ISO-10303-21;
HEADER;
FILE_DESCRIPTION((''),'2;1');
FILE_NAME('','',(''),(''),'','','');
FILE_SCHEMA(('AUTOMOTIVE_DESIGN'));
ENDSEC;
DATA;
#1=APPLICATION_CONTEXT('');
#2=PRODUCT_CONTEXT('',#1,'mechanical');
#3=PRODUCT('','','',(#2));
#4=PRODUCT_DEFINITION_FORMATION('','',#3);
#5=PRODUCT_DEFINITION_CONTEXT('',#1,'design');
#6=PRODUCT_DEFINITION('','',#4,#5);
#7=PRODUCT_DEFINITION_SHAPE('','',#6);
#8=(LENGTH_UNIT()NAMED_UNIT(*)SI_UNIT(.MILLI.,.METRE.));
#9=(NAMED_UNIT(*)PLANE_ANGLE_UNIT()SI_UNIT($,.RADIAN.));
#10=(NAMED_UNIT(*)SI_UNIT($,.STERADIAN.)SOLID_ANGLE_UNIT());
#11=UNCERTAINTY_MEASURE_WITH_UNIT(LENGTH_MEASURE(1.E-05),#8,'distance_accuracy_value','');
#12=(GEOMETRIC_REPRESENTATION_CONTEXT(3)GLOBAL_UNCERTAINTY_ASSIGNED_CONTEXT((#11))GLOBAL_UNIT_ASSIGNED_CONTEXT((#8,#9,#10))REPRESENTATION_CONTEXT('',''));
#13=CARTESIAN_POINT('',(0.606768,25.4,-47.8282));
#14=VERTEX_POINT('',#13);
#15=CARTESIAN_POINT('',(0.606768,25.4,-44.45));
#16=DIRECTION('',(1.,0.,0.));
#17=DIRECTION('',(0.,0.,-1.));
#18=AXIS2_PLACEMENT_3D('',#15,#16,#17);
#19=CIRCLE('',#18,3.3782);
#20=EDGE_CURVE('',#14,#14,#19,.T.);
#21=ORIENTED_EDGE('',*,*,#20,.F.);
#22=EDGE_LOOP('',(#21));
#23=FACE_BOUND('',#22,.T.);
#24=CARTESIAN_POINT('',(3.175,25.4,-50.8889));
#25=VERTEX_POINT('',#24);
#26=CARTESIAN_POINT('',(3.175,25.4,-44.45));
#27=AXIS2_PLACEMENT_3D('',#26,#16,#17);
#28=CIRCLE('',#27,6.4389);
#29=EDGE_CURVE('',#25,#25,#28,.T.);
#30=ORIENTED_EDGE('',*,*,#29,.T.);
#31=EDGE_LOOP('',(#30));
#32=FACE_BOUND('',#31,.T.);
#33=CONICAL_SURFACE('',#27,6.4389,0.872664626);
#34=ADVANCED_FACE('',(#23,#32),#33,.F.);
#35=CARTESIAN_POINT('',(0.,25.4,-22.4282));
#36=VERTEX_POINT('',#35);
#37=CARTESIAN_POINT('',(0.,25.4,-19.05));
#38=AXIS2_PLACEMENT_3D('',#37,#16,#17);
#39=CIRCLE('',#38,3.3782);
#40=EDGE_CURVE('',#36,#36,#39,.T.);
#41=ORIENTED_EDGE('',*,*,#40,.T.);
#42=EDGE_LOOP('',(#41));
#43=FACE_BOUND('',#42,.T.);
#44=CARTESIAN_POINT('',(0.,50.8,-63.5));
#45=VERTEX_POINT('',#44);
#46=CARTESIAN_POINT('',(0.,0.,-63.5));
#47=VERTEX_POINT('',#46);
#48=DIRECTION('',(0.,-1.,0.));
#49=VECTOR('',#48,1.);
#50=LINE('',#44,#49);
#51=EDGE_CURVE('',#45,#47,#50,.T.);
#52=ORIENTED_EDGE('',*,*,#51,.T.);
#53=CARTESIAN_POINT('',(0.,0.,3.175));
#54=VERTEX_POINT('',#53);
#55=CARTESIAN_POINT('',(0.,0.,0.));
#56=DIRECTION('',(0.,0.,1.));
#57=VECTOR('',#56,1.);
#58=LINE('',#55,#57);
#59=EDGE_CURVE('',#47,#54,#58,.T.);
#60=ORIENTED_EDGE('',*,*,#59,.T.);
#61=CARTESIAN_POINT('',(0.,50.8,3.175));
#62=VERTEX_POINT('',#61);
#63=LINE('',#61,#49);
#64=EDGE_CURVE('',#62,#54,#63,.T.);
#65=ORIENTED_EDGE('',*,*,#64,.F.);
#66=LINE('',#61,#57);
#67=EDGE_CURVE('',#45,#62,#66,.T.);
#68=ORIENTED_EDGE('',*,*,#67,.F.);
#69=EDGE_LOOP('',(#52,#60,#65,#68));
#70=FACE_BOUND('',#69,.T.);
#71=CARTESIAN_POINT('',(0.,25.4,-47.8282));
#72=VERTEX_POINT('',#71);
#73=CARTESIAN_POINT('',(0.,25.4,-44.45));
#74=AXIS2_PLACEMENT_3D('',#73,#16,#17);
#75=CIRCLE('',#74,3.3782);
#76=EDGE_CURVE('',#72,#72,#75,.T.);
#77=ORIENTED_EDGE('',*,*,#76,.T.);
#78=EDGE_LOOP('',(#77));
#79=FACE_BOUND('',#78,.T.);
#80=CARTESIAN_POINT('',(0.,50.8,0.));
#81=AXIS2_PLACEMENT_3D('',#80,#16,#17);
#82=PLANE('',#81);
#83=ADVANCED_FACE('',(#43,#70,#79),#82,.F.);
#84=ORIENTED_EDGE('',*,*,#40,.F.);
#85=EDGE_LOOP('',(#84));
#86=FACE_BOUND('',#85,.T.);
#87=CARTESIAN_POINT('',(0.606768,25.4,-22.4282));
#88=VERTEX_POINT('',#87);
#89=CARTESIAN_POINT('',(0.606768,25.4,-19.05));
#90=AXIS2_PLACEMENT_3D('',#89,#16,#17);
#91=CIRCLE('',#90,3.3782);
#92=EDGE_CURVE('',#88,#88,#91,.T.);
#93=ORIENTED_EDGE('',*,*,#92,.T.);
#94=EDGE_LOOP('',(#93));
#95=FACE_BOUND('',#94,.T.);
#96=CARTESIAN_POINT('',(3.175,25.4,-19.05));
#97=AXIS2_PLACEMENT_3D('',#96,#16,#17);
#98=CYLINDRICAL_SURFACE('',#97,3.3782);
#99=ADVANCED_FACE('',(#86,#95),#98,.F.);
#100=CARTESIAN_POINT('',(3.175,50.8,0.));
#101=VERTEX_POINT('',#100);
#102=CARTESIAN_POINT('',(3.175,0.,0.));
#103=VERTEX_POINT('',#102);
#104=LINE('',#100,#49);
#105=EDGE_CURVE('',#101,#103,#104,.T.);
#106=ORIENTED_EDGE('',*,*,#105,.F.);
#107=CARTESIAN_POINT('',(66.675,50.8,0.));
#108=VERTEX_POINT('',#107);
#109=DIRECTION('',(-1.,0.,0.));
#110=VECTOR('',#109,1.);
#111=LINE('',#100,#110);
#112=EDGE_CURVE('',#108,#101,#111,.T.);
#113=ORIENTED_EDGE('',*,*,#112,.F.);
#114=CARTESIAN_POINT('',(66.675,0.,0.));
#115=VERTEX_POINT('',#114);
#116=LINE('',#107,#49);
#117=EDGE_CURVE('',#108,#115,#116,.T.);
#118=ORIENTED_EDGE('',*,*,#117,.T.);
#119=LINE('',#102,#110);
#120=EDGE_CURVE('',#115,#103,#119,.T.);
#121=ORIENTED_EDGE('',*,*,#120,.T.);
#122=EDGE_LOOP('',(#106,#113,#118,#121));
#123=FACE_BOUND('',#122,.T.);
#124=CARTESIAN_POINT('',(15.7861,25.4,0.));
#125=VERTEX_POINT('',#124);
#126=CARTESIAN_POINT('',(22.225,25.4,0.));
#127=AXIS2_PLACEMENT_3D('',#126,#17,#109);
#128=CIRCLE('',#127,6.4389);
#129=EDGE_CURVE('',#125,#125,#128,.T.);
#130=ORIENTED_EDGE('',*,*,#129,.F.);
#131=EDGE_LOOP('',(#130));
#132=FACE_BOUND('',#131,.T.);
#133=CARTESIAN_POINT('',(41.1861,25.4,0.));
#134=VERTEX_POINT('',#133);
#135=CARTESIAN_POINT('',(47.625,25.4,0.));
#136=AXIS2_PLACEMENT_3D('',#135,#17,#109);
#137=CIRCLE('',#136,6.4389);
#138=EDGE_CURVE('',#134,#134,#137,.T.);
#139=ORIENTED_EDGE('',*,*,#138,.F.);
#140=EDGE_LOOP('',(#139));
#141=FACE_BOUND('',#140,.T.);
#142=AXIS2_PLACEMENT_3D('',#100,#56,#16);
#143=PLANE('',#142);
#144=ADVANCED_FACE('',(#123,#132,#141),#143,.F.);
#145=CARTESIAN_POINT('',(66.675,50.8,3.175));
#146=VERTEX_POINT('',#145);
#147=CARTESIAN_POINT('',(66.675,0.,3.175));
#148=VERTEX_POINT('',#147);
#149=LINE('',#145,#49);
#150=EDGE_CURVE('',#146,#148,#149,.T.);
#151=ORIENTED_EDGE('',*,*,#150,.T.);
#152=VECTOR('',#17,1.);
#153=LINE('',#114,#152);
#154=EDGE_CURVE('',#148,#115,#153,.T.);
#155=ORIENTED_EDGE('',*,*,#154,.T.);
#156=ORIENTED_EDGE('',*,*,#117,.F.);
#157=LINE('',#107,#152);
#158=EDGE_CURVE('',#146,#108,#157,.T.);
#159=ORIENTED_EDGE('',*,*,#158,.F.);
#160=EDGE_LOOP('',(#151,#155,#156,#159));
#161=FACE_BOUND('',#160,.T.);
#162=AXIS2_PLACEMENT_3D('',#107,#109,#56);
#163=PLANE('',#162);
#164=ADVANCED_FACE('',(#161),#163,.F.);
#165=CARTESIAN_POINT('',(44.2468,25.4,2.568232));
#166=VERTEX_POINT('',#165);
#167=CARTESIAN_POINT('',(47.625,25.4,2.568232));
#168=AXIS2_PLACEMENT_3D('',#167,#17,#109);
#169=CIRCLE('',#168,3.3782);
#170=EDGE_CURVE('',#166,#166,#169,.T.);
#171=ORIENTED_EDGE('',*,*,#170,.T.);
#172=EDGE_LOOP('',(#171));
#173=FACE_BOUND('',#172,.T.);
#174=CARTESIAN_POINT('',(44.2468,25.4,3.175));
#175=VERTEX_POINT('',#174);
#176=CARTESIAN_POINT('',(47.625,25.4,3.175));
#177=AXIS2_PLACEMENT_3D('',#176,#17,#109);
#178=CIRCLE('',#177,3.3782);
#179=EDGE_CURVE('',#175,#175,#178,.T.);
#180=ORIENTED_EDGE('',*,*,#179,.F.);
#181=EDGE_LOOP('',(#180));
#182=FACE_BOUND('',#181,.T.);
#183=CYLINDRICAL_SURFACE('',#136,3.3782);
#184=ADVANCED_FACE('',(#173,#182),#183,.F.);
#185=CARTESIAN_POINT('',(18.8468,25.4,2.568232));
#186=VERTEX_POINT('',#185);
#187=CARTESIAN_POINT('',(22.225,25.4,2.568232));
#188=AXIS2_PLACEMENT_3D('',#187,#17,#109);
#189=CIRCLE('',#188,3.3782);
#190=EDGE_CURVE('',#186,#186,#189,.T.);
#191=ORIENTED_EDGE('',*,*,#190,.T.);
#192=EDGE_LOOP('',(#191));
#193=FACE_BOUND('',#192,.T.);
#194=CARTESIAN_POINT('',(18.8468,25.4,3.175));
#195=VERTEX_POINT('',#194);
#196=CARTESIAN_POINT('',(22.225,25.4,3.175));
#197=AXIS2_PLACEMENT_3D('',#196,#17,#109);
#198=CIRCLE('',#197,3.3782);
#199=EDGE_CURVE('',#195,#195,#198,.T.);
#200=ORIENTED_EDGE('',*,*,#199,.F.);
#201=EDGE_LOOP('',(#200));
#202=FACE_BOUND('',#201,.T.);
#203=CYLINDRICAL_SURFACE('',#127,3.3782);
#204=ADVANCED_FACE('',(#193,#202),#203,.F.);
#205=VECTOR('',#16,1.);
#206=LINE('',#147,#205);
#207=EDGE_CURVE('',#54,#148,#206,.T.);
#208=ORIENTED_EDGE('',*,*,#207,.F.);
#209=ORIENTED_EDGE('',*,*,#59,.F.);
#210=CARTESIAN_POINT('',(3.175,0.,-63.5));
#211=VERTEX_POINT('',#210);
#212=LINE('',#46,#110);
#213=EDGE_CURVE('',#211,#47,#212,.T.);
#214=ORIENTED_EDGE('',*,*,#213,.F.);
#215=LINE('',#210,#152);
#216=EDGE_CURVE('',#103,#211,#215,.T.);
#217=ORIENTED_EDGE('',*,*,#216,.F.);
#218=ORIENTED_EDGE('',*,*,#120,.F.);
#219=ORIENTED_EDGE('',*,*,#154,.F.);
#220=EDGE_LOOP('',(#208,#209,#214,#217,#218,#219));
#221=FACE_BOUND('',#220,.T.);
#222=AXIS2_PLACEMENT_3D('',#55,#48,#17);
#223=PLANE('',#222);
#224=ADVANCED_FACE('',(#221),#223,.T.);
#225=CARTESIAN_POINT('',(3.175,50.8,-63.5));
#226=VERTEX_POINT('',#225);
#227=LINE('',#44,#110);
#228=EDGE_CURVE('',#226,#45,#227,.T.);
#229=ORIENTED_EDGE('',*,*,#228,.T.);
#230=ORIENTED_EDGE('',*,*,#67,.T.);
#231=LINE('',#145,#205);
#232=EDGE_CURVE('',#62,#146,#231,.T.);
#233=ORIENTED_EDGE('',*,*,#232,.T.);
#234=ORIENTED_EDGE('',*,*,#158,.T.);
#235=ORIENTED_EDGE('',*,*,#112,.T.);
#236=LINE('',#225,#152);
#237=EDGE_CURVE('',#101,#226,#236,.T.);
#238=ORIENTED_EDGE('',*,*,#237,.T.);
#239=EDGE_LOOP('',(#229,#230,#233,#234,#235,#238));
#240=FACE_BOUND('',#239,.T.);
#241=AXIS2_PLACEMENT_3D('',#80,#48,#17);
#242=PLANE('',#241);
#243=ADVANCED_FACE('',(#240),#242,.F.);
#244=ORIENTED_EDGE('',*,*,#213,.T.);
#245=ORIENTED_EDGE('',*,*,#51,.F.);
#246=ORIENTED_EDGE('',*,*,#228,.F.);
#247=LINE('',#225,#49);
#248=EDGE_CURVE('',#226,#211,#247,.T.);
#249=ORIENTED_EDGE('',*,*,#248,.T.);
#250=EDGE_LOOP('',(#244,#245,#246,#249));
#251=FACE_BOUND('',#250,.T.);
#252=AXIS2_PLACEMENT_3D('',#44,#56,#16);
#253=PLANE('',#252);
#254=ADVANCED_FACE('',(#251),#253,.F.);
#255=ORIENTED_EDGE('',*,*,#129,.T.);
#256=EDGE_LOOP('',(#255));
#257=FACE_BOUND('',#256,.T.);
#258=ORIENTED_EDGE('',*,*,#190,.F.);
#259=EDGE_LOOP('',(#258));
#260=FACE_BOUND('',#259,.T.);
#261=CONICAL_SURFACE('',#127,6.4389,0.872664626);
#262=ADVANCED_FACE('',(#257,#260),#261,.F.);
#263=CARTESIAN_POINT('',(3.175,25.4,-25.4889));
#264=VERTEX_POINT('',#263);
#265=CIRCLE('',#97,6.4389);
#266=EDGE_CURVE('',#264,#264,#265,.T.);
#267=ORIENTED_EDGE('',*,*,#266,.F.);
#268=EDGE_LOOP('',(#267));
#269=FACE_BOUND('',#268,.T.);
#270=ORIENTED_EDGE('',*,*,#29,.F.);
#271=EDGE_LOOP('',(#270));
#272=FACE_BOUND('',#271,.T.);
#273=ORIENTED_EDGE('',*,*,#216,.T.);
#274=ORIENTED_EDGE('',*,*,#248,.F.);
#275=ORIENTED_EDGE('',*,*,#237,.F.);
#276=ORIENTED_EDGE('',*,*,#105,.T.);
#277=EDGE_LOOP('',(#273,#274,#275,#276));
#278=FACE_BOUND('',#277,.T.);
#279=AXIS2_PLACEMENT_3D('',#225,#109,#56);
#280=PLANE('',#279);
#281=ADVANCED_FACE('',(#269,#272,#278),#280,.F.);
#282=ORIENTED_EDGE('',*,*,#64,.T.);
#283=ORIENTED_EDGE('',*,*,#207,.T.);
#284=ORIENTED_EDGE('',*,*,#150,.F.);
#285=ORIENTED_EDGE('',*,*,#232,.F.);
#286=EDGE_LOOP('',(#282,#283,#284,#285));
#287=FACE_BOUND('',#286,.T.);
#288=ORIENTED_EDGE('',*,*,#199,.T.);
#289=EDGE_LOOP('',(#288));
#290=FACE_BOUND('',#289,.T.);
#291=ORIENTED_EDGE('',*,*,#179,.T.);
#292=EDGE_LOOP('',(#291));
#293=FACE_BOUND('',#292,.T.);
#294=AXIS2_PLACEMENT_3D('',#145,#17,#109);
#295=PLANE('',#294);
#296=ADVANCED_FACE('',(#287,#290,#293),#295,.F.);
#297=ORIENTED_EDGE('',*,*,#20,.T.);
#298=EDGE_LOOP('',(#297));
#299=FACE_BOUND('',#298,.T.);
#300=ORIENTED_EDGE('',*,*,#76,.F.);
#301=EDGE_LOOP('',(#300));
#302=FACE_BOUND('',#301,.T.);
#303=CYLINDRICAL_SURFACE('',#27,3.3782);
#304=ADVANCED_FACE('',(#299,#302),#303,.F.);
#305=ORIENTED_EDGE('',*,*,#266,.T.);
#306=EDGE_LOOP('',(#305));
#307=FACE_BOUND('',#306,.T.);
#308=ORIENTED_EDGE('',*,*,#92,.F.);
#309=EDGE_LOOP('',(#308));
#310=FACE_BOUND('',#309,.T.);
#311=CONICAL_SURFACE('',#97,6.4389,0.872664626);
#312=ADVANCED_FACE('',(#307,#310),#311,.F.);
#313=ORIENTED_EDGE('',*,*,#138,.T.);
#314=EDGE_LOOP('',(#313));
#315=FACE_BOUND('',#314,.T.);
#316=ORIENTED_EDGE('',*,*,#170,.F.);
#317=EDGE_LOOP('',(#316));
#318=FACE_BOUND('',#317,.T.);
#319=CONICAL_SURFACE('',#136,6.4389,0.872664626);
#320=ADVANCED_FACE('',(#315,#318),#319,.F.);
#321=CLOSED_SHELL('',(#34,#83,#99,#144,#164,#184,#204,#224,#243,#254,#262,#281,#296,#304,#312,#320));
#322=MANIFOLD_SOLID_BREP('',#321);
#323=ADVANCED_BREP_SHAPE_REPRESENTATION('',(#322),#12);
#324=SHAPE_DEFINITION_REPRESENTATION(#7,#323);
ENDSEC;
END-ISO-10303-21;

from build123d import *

# Parameters (mm, degrees)
BOSS_EXTRUDE1_DEPTH                            = 50.8
CSK_FOR_1_4_FLAT_HEAD_MACHINE_SCREW_2_COUNT    = 2
CSK_FOR_1_4_FLAT_HEAD_MACHINE_SCREW_2_PITCH    = 25.4
CSK_FOR_1_4_FLAT_HEAD_MACHINE_SCREW_3_AT_COUNT = 2
CSK_FOR_1_4_FLAT_HEAD_MACHINE_SCREW_3_AT_PITCH = 25.4


with BuildPart() as part:
    # Sketch1 → Boss-Extrude1 (new body)
    with BuildSketch(Plane(origin=(0, 0, 0), x_dir=(1, 0, 0), z_dir=(0, 1, 0))):
        Polygon((0, 0), (0, 63.5), (3.175, 63.5), (3.175, 0), (66.675, 0), (66.675, -3.175), (0, -3.175), align=None)
    extrude(amount=BOSS_EXTRUDE1_DEPTH)

    # Sketch4 → CSK for 1_4 Flat Head Machine Screw _100 (revolve, cut)
    with BuildSketch(Plane(origin=(3.175, 25.4, -19.05), x_dir=(0, 0, -1), z_dir=(0, 1, 0))):
        Polygon((0, 0), (0, 3.175), (3.3782, 3.175), (3.3782, 2.568232241), (6.4389, 0), align=None)
    csk_for_1_4_flat_head_machine_screw_100 = revolve(axis=Axis((9.525, 25.4, -19.05), (-1, 0, 0)), mode=Mode.SUBTRACT)

    # CSK for 1_4 Flat Head Machine Screw  2: CSK for 1_4 Flat Head Machine Screw _100 ×2
    with Locations(*[(0, 0, -i * CSK_FOR_1_4_FLAT_HEAD_MACHINE_SCREW_2_PITCH) for i in range(1, CSK_FOR_1_4_FLAT_HEAD_MACHINE_SCREW_2_COUNT)]):
        add(csk_for_1_4_flat_head_machine_screw_100, mode=Mode.SUBTRACT)

    # Sketch6 → CSK for 1_4 Flat Head Machine Screw  3 (revolve, cut)
    with BuildSketch(Plane(origin=(47.625, 25.4, 0), x_dir=(0, 1, 0), z_dir=(1, 0, 0))):
        Polygon((0, 0), (0, 3.175), (3.3782, 3.175), (3.3782, 2.568232241), (6.4389, 0), align=None)
    csk_for_1_4_flat_head_machine_screw_3 = revolve(axis=Axis((47.625, 25.4, -6.35), (0, 0, 1)), mode=Mode.SUBTRACT)

    # CSK for 1_4 Flat Head Machine Screw 3 at: CSK for 1_4 Flat Head Machine Screw  3 ×2
    with Locations(*[(-i * CSK_FOR_1_4_FLAT_HEAD_MACHINE_SCREW_3_AT_PITCH, 0, 0) for i in range(1, CSK_FOR_1_4_FLAT_HEAD_MACHINE_SCREW_3_AT_COUNT)]):
        add(csk_for_1_4_flat_head_machine_screw_3, mode=Mode.SUBTRACT)


solid = part.part
